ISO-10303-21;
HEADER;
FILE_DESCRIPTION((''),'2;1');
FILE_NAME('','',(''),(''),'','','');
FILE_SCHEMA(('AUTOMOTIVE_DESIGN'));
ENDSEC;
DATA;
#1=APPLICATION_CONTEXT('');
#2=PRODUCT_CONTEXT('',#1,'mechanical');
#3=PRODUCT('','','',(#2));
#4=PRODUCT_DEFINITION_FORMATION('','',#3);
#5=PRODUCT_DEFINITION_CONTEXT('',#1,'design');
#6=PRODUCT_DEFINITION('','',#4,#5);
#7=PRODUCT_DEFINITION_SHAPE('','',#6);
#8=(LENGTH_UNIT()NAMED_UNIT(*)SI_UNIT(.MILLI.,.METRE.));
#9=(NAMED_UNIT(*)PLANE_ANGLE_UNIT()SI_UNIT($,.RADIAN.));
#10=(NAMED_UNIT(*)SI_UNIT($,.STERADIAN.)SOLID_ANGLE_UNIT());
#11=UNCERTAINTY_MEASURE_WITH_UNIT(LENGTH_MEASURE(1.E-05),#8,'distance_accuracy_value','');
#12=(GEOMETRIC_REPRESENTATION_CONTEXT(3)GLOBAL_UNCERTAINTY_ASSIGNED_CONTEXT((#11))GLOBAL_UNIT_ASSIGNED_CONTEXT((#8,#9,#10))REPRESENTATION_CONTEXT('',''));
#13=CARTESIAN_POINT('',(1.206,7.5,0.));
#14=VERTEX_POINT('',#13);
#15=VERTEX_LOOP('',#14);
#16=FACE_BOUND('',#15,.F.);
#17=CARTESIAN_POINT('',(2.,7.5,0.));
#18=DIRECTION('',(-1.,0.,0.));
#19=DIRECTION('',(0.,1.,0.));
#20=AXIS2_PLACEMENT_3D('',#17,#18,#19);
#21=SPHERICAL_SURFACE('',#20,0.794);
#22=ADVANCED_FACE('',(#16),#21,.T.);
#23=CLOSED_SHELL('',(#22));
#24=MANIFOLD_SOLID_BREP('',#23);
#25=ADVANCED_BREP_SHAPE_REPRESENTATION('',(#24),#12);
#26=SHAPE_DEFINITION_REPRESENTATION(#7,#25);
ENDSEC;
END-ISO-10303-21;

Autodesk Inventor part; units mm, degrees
ref_plane "YZ Plane" through (0, 0, 0) normal (1, 0, 0) x (0, 1, 0)
ref_plane "XZ Plane" through (0, 0, 0) normal (0, 1, 0) x (-1, 0, 0)
ref_plane "XY Plane" through (0, 0, 0) normal (0, 0, 1) x (1, 0, 0)
sketch "Sketch_1" plane through (0, 0, 0) normal (0, 0, 1) x (1, 0, 0)
  line L0 (2.794, 7.5) -> (1.206, 7.5)
  arc A0 (2.794, 7.5) -> (1.206, 7.5) centre (2, 7.5) ccw
  line L1 (2.794, 7.5) -> (1.206, 7.5)
  dimension "d0" = 360
revolve "Revolution1" add sketch "Sketch_1" angle 360 about axis through (2.794, 7.5, 0) along (1, 0, 0)
properties part number "W 61701_PART3"
